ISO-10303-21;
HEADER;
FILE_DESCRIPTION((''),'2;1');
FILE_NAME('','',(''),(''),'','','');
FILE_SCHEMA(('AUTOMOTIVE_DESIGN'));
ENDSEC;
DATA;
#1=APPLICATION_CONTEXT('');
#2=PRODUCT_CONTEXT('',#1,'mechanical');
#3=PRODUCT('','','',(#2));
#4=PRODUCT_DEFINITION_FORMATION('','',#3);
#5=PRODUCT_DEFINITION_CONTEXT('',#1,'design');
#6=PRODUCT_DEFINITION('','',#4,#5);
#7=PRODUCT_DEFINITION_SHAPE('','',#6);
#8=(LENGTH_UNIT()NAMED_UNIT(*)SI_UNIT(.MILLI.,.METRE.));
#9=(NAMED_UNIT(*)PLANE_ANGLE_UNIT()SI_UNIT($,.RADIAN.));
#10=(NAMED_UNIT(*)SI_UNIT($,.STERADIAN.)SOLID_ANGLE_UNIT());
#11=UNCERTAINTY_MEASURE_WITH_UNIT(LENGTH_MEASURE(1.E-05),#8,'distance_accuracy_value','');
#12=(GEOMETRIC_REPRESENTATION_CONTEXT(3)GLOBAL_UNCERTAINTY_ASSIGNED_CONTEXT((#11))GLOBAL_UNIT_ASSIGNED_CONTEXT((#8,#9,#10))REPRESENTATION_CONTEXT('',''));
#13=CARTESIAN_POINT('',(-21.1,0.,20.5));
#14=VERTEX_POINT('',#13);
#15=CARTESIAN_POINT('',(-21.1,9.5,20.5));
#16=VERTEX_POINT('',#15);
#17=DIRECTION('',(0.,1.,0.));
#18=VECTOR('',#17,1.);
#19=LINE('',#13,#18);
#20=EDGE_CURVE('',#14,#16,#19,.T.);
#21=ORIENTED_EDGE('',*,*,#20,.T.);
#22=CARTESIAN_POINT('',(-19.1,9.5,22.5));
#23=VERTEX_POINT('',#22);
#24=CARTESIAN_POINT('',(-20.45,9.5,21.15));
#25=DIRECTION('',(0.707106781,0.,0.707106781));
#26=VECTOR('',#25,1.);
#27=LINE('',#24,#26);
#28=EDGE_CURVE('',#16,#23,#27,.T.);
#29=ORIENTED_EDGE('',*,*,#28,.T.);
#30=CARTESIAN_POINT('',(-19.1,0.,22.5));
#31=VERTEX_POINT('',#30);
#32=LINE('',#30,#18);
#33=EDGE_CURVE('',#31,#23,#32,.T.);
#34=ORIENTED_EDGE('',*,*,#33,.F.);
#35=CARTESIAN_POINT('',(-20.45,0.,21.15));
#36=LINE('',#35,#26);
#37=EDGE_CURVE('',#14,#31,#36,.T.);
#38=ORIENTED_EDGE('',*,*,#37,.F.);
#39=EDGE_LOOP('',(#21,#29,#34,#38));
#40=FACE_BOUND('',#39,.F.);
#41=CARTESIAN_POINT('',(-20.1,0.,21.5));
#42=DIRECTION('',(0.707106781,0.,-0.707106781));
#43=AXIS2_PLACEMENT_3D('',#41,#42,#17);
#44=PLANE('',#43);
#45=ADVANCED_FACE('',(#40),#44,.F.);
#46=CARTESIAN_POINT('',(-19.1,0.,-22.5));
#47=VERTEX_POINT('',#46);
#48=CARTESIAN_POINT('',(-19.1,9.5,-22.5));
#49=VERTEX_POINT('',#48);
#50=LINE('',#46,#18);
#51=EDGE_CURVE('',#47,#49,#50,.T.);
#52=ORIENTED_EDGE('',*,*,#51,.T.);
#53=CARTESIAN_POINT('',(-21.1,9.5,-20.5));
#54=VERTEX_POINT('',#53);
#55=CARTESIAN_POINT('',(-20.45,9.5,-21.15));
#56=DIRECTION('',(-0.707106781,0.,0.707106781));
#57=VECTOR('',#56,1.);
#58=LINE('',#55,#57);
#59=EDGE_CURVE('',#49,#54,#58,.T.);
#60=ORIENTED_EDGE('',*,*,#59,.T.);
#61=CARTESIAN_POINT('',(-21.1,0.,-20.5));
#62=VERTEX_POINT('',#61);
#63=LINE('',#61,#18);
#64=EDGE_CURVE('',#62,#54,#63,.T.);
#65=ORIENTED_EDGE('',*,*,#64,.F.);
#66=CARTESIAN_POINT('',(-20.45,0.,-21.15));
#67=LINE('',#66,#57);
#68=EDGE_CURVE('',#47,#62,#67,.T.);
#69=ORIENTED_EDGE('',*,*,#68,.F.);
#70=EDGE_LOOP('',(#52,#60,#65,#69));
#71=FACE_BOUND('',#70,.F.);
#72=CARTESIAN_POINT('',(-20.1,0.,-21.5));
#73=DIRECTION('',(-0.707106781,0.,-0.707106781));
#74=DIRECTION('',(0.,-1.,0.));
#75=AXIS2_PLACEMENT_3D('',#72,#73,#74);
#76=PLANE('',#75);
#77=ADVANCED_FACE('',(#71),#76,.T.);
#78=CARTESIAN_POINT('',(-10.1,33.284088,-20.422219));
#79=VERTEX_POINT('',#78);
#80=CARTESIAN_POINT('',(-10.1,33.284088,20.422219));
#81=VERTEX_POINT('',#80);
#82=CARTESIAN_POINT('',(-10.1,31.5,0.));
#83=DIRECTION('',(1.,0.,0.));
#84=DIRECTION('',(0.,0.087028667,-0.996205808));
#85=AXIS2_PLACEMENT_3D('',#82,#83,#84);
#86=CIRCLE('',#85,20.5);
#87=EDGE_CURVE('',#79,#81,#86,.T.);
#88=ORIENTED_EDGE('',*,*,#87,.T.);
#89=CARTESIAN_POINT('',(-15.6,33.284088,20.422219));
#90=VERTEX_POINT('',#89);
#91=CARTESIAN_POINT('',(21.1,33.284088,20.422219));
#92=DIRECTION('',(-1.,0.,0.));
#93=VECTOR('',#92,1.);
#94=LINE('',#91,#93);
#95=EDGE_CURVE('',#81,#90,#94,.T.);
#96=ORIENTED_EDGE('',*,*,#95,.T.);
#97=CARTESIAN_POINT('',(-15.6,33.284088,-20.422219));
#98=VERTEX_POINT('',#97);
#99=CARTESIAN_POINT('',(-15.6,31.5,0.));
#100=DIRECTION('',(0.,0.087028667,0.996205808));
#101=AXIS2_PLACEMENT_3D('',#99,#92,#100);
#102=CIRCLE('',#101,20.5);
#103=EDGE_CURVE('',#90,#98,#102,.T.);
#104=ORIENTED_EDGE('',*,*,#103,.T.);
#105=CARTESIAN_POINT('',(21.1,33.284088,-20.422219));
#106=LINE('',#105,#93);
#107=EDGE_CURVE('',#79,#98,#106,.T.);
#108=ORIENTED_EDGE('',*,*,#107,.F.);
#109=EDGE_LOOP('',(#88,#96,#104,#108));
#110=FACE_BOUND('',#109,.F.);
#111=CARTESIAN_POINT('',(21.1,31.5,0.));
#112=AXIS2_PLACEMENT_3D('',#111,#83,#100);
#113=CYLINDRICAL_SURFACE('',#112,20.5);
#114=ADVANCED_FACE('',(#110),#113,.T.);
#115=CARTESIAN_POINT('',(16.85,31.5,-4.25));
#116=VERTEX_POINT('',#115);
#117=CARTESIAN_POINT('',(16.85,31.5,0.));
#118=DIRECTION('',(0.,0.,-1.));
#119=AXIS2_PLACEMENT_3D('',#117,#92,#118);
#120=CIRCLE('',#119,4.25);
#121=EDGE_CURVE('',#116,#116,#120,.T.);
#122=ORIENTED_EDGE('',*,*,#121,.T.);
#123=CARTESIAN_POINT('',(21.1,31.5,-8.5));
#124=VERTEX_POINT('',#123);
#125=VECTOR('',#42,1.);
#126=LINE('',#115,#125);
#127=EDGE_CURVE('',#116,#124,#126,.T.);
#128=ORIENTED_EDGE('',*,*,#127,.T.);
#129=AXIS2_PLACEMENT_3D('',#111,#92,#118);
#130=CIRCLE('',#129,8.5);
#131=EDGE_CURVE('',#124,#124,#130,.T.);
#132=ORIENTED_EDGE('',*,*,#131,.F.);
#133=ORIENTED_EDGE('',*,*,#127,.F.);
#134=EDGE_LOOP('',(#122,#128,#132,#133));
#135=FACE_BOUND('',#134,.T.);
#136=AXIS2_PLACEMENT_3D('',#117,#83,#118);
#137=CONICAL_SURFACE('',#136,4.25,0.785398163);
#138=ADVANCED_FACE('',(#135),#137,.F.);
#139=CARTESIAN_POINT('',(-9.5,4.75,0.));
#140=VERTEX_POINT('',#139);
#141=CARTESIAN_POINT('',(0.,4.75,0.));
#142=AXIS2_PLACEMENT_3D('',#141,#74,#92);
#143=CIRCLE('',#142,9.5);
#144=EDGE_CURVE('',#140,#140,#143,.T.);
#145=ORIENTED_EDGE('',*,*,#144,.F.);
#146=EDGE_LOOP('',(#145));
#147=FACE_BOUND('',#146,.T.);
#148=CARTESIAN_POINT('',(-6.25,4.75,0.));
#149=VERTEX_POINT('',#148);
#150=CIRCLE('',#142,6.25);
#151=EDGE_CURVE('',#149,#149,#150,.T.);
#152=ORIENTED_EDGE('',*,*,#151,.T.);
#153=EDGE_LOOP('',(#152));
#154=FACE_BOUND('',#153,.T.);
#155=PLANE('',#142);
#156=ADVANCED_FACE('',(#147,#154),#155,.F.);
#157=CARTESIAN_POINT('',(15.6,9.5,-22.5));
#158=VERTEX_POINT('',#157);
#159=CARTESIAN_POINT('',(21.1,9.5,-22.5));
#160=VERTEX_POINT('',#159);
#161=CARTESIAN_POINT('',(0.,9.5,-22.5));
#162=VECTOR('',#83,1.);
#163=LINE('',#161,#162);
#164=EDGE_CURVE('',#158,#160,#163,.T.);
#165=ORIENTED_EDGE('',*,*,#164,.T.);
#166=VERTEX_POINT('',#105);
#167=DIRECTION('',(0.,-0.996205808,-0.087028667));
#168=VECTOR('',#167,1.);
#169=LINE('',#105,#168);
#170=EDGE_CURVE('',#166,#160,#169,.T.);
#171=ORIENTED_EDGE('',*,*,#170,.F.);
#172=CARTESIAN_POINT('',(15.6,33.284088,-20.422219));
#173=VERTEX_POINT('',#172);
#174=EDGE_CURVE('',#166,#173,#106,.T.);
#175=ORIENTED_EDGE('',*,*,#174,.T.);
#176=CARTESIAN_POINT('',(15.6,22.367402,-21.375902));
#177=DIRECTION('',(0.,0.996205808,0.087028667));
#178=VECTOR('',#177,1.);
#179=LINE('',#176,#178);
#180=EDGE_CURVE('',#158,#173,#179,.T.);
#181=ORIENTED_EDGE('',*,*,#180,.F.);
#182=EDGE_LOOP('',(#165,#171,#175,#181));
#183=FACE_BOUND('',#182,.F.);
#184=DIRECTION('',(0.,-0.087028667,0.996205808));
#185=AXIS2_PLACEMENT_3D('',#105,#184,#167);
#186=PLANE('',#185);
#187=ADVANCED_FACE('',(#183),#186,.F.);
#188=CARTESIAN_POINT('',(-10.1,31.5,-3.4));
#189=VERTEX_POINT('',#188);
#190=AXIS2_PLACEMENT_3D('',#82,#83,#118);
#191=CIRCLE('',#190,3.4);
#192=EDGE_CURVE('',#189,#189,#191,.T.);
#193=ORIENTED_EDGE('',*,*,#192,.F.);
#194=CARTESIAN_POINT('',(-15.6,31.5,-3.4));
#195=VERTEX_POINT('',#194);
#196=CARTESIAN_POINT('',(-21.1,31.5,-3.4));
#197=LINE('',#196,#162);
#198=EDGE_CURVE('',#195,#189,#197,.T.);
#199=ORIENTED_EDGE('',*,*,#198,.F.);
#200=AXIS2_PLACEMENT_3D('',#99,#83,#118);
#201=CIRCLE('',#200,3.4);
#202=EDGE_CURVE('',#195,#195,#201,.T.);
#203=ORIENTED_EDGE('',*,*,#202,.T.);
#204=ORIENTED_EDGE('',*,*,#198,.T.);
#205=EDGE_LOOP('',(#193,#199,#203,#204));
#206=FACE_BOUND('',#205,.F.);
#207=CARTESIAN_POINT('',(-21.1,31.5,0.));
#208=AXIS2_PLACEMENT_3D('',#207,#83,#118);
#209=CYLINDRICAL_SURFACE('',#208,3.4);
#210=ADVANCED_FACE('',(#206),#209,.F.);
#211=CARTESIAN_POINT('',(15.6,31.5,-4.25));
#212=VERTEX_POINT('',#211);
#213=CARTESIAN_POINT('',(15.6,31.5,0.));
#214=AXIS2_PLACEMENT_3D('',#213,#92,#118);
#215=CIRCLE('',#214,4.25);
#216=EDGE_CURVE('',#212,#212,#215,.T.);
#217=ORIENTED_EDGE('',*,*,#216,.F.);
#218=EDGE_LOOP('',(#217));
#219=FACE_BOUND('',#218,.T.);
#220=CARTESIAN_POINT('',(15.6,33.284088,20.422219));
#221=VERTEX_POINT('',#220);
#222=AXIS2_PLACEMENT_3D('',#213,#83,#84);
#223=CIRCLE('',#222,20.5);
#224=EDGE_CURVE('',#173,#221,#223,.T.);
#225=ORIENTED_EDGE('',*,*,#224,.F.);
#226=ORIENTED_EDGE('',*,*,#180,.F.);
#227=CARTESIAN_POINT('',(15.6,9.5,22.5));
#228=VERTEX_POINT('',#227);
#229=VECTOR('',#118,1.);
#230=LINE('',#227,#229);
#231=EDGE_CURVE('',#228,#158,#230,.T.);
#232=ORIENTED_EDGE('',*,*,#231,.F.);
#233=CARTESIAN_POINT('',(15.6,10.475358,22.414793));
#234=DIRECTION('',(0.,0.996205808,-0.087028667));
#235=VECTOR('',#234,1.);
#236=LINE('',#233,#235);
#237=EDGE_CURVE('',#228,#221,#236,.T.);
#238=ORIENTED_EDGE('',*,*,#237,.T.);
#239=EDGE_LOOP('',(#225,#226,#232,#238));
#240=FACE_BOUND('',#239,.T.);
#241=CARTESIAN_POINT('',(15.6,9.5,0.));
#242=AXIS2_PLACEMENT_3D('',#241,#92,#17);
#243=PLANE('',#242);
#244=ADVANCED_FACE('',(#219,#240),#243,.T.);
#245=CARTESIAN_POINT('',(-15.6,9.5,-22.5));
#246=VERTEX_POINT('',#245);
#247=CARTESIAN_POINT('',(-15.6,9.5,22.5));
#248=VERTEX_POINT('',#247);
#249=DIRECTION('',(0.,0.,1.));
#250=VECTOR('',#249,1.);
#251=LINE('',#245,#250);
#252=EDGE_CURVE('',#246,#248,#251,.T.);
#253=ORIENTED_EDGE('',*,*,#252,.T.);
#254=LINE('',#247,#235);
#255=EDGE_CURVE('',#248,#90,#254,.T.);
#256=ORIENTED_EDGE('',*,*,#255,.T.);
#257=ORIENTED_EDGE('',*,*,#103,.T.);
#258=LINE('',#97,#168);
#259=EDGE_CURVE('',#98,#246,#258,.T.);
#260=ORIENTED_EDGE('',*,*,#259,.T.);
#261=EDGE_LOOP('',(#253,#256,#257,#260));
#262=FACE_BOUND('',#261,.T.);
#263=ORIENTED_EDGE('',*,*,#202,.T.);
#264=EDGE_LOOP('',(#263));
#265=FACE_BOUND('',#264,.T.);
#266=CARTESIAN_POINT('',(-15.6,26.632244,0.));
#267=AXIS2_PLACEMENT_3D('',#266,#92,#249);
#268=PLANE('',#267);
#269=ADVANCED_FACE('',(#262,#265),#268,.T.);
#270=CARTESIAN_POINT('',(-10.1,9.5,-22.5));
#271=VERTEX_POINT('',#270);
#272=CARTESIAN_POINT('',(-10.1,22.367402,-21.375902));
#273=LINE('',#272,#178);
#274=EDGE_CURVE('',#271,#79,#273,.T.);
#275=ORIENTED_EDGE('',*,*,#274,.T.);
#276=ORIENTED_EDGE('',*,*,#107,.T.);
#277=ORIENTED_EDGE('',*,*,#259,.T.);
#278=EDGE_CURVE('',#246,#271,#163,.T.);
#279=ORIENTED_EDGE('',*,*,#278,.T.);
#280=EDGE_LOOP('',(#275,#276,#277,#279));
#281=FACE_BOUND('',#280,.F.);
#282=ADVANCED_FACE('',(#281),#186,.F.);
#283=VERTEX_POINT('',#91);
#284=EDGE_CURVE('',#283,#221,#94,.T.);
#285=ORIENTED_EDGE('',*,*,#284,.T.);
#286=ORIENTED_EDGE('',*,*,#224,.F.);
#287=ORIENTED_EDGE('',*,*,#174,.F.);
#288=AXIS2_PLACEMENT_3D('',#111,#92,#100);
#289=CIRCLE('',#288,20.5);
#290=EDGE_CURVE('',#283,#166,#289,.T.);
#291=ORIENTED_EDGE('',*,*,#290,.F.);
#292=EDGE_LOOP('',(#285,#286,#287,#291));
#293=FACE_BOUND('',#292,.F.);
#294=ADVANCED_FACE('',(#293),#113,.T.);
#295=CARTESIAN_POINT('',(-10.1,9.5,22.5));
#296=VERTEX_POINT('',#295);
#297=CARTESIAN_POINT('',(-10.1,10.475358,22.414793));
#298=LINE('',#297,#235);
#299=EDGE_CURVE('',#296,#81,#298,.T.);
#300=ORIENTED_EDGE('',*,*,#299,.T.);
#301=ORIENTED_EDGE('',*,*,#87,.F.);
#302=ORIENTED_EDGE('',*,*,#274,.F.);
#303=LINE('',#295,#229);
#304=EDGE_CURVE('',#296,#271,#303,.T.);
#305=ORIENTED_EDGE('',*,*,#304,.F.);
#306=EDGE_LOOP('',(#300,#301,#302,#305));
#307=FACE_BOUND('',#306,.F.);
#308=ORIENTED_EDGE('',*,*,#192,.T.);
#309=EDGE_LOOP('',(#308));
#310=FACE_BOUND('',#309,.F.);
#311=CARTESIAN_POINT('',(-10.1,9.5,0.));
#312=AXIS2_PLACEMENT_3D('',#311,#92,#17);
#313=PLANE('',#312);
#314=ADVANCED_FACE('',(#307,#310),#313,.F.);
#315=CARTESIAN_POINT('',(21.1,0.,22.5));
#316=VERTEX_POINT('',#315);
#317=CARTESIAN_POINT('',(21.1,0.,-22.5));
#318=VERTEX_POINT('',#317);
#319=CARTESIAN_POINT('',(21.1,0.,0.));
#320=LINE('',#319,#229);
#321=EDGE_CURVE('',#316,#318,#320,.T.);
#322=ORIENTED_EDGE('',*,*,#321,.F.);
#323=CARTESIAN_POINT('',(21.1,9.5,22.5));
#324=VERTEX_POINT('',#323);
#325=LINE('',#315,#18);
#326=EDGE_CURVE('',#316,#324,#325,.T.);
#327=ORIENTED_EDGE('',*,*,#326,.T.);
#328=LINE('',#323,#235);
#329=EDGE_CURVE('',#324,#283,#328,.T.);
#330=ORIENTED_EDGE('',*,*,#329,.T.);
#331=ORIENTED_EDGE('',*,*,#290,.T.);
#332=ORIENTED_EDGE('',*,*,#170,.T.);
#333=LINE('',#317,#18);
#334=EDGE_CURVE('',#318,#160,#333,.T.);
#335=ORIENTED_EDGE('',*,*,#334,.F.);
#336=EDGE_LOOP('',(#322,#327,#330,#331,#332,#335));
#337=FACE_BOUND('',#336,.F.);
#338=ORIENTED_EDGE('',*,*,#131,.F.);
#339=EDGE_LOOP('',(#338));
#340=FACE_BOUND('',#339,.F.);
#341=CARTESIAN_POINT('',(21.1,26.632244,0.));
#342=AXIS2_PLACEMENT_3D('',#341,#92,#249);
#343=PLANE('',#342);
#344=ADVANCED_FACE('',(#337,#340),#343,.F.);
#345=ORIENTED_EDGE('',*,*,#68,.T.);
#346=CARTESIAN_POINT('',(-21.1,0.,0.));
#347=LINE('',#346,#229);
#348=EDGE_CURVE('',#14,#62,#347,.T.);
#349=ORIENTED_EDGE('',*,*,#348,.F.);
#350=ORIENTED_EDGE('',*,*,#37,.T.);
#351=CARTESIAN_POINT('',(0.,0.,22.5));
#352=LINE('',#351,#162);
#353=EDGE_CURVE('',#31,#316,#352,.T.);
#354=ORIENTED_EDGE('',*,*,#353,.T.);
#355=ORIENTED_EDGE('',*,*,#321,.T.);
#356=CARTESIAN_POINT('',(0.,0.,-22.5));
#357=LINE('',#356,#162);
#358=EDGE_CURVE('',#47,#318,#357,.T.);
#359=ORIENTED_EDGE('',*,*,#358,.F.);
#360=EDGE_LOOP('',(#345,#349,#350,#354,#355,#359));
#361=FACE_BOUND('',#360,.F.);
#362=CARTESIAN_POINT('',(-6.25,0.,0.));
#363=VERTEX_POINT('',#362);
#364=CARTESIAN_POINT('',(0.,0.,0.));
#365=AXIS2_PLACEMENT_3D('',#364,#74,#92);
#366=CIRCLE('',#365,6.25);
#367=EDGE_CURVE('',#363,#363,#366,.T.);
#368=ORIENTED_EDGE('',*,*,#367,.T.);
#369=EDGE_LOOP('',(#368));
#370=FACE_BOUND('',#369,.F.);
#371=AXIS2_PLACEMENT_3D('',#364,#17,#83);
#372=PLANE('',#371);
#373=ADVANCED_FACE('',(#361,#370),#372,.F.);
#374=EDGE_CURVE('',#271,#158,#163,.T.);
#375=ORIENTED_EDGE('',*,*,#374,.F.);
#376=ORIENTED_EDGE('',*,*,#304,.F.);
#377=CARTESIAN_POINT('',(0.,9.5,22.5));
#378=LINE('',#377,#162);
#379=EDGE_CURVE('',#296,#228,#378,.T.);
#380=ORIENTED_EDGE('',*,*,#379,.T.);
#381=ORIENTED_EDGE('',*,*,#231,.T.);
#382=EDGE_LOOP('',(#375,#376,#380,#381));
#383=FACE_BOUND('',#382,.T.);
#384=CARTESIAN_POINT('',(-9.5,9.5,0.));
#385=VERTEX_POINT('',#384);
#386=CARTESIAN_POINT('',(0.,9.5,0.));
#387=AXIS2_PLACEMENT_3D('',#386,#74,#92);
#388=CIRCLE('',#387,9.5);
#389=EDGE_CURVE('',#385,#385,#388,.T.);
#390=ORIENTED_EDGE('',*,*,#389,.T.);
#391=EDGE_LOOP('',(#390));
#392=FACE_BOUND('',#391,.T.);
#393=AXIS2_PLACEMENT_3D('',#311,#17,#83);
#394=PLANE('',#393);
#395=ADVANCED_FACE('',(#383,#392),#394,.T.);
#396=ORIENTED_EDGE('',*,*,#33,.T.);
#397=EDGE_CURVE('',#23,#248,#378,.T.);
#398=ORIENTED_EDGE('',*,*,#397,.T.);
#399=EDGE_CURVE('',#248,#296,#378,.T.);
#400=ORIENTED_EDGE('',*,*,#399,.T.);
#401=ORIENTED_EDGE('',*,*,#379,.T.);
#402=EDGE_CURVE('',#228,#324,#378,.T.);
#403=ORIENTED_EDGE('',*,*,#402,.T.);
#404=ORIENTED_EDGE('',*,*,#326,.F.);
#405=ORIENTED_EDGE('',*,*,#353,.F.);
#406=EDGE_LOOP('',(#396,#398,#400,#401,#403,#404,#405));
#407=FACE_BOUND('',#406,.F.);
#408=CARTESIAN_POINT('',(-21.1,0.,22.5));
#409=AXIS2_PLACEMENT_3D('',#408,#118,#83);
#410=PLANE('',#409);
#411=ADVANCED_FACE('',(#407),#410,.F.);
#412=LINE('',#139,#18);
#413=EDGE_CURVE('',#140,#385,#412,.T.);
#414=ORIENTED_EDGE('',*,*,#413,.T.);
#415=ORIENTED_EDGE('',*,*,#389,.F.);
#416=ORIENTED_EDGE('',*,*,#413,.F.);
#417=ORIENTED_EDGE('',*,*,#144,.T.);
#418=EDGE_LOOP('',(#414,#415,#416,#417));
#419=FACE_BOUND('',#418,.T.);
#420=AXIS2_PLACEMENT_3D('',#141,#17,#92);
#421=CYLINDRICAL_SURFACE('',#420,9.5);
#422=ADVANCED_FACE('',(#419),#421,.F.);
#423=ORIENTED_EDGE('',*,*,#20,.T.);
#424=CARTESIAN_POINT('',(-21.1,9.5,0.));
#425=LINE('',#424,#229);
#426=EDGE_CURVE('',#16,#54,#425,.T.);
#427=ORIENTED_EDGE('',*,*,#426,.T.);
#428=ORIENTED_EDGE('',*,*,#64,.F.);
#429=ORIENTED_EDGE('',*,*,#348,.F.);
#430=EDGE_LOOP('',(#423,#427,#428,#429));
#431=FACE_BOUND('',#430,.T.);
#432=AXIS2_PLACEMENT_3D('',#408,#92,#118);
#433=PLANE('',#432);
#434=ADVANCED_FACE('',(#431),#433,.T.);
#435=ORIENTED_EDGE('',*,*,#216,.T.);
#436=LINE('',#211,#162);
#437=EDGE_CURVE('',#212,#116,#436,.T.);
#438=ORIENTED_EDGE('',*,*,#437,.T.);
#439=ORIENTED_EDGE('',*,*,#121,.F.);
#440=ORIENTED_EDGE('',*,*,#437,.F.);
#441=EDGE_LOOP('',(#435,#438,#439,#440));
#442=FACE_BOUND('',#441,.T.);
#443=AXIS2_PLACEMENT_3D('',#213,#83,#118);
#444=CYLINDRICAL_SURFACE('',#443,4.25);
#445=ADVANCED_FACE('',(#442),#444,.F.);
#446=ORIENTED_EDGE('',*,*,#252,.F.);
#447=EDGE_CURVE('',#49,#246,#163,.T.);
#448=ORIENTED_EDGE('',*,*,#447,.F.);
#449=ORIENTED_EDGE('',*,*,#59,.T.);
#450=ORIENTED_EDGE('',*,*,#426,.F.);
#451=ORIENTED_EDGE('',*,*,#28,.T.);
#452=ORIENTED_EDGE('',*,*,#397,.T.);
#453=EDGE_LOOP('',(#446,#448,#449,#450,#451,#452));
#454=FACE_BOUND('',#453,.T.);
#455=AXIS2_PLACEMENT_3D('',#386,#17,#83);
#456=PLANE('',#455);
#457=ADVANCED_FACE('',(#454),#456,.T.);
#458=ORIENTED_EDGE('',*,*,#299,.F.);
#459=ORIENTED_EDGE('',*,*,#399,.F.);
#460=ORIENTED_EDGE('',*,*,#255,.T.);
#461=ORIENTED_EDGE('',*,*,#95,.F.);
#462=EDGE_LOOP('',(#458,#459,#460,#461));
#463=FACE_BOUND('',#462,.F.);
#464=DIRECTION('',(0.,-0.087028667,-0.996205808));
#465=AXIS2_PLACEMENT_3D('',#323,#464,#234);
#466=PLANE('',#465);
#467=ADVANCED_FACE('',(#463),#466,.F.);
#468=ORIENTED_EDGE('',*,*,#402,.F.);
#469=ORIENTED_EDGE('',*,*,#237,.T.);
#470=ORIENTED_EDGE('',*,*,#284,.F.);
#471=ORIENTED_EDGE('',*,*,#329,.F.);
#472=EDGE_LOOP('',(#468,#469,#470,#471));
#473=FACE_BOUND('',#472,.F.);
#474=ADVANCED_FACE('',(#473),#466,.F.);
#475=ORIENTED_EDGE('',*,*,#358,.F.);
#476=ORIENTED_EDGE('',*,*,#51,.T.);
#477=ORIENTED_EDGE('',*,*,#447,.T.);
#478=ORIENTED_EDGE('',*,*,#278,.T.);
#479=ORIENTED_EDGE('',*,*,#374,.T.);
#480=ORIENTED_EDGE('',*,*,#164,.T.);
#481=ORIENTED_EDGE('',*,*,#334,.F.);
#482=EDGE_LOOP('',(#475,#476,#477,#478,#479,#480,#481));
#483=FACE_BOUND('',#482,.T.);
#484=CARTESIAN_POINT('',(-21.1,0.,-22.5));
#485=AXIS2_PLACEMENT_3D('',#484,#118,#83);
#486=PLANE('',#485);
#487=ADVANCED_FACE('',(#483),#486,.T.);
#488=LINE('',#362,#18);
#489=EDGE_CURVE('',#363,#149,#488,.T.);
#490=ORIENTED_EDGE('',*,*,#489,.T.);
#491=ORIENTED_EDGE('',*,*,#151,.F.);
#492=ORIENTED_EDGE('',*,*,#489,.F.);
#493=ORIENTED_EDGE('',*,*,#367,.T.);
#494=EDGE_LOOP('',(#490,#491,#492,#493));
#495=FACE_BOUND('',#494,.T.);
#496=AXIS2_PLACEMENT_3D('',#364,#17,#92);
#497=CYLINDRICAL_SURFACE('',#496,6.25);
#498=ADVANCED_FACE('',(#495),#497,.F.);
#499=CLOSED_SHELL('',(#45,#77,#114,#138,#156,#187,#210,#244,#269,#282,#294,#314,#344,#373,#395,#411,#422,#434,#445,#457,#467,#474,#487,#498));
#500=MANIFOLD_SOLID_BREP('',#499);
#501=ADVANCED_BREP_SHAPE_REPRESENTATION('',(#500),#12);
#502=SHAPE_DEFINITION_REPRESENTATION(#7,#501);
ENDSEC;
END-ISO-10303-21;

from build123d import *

# Parameters (mm, degrees)
SKETCH_1_W               = 42.2
SKETCH_1_H               = 45
EXTRUDE_1_DEPTH          = 9.5
EXTRUDE_2_DEPTH          = 36.7
SKETCH_4_W               = 25.7
SKETCH_4_H               = 42.5
CUT_EXTRUDE_1_DEPTH      = 23.5
CUT_EXTRUDE_1_DEPTH_BACK = 23.5
CHAMFER_1_SIZE           = 2
HOLE_WIZARD_M81_2_D      = 6.8
HOLE_WIZARD_M81_2_DEPTH  = 5.5


with BuildPart() as part:
    # Эскиз1 → Бобышка-Вытянуть1 (new body)
    with BuildSketch(Plane(origin=(0, 0, 0), x_dir=(1, 0, 0), z_dir=(0, 1, 0))):
        Rectangle(SKETCH_1_W, SKETCH_1_H)
    extrude(amount=EXTRUDE_1_DEPTH)

    # Эскиз2 → Вырез-Повернуть1 (revolve, cut)
    with BuildSketch(Plane.XY):
        Polygon((-6.25, 0), (-6.25, 4.75), (-9.5, 4.75), (-9.5, 9.5), (0, 9.5), (0, 0), align=None)
    revolve(axis=Axis((0, 9.5, 0), (0, -1, 0)), mode=Mode.SUBTRACT)

    # Эскиз3 → Бобышка-Вытянуть2 (add)
    with BuildSketch(Plane(origin=(21.1, 0, 0), x_dir=(0, 0, -1), z_dir=(1, 0, 0))):
        with BuildLine():
            Line((-22.5, 9.5), (-20.422219056, 33.284087671))
            ThreePointArc((-20.422219056, 33.284087671), (0, 52), (20.422219056, 33.284087671))
            Line((20.422219056, 33.284087671), (22.5, 9.5))
            Line((22.5, 9.5), (-22.5, 9.5))
        make_face()
    extrude(amount=-EXTRUDE_2_DEPTH)

    # Эскиз4 → Вырез-Вытянуть1 (cut, two sides)
    with BuildSketch(Plane.XY) as cut_extrude_1_sk:
        with Locations((2.75, 30.75)):
            Rectangle(SKETCH_4_W, SKETCH_4_H)
    extrude(amount=CUT_EXTRUDE_1_DEPTH, mode=Mode.SUBTRACT)
    extrude(cut_extrude_1_sk.sketch, amount=-CUT_EXTRUDE_1_DEPTH_BACK, mode=Mode.SUBTRACT)

    # Фаска1
    chamfer_1_edges = [part.edges().sort_by_distance(p)[0] for p in [
        (-21.1, 4.75, -22.5),
        (-21.1, 4.75, 22.5),
    ]]
    chamfer(chamfer_1_edges, length=CHAMFER_1_SIZE)

    # Эскиз10 → Hole Wizard M81 (revolve, cut)
    with BuildSketch(Plane(origin=(21.1, 31.5, 0), x_dir=(0, 0, -1), z_dir=(0, 1, 0))):
        Polygon((0, 0), (0, 5.5), (4.25, 5.5), (4.25, 4.25), (8.5, 0), align=None)
    revolve(axis=Axis((27.45, 31.5, 0), (-1, 0, 0)), mode=Mode.SUBTRACT)

    # Hole Wizard M81 2
    with Locations(Plane.ZY.offset(15.6)):
        with Locations((0, 31.5)):
            Hole(HOLE_WIZARD_M81_2_D / 2, depth=HOLE_WIZARD_M81_2_DEPTH)


solid = part.part
